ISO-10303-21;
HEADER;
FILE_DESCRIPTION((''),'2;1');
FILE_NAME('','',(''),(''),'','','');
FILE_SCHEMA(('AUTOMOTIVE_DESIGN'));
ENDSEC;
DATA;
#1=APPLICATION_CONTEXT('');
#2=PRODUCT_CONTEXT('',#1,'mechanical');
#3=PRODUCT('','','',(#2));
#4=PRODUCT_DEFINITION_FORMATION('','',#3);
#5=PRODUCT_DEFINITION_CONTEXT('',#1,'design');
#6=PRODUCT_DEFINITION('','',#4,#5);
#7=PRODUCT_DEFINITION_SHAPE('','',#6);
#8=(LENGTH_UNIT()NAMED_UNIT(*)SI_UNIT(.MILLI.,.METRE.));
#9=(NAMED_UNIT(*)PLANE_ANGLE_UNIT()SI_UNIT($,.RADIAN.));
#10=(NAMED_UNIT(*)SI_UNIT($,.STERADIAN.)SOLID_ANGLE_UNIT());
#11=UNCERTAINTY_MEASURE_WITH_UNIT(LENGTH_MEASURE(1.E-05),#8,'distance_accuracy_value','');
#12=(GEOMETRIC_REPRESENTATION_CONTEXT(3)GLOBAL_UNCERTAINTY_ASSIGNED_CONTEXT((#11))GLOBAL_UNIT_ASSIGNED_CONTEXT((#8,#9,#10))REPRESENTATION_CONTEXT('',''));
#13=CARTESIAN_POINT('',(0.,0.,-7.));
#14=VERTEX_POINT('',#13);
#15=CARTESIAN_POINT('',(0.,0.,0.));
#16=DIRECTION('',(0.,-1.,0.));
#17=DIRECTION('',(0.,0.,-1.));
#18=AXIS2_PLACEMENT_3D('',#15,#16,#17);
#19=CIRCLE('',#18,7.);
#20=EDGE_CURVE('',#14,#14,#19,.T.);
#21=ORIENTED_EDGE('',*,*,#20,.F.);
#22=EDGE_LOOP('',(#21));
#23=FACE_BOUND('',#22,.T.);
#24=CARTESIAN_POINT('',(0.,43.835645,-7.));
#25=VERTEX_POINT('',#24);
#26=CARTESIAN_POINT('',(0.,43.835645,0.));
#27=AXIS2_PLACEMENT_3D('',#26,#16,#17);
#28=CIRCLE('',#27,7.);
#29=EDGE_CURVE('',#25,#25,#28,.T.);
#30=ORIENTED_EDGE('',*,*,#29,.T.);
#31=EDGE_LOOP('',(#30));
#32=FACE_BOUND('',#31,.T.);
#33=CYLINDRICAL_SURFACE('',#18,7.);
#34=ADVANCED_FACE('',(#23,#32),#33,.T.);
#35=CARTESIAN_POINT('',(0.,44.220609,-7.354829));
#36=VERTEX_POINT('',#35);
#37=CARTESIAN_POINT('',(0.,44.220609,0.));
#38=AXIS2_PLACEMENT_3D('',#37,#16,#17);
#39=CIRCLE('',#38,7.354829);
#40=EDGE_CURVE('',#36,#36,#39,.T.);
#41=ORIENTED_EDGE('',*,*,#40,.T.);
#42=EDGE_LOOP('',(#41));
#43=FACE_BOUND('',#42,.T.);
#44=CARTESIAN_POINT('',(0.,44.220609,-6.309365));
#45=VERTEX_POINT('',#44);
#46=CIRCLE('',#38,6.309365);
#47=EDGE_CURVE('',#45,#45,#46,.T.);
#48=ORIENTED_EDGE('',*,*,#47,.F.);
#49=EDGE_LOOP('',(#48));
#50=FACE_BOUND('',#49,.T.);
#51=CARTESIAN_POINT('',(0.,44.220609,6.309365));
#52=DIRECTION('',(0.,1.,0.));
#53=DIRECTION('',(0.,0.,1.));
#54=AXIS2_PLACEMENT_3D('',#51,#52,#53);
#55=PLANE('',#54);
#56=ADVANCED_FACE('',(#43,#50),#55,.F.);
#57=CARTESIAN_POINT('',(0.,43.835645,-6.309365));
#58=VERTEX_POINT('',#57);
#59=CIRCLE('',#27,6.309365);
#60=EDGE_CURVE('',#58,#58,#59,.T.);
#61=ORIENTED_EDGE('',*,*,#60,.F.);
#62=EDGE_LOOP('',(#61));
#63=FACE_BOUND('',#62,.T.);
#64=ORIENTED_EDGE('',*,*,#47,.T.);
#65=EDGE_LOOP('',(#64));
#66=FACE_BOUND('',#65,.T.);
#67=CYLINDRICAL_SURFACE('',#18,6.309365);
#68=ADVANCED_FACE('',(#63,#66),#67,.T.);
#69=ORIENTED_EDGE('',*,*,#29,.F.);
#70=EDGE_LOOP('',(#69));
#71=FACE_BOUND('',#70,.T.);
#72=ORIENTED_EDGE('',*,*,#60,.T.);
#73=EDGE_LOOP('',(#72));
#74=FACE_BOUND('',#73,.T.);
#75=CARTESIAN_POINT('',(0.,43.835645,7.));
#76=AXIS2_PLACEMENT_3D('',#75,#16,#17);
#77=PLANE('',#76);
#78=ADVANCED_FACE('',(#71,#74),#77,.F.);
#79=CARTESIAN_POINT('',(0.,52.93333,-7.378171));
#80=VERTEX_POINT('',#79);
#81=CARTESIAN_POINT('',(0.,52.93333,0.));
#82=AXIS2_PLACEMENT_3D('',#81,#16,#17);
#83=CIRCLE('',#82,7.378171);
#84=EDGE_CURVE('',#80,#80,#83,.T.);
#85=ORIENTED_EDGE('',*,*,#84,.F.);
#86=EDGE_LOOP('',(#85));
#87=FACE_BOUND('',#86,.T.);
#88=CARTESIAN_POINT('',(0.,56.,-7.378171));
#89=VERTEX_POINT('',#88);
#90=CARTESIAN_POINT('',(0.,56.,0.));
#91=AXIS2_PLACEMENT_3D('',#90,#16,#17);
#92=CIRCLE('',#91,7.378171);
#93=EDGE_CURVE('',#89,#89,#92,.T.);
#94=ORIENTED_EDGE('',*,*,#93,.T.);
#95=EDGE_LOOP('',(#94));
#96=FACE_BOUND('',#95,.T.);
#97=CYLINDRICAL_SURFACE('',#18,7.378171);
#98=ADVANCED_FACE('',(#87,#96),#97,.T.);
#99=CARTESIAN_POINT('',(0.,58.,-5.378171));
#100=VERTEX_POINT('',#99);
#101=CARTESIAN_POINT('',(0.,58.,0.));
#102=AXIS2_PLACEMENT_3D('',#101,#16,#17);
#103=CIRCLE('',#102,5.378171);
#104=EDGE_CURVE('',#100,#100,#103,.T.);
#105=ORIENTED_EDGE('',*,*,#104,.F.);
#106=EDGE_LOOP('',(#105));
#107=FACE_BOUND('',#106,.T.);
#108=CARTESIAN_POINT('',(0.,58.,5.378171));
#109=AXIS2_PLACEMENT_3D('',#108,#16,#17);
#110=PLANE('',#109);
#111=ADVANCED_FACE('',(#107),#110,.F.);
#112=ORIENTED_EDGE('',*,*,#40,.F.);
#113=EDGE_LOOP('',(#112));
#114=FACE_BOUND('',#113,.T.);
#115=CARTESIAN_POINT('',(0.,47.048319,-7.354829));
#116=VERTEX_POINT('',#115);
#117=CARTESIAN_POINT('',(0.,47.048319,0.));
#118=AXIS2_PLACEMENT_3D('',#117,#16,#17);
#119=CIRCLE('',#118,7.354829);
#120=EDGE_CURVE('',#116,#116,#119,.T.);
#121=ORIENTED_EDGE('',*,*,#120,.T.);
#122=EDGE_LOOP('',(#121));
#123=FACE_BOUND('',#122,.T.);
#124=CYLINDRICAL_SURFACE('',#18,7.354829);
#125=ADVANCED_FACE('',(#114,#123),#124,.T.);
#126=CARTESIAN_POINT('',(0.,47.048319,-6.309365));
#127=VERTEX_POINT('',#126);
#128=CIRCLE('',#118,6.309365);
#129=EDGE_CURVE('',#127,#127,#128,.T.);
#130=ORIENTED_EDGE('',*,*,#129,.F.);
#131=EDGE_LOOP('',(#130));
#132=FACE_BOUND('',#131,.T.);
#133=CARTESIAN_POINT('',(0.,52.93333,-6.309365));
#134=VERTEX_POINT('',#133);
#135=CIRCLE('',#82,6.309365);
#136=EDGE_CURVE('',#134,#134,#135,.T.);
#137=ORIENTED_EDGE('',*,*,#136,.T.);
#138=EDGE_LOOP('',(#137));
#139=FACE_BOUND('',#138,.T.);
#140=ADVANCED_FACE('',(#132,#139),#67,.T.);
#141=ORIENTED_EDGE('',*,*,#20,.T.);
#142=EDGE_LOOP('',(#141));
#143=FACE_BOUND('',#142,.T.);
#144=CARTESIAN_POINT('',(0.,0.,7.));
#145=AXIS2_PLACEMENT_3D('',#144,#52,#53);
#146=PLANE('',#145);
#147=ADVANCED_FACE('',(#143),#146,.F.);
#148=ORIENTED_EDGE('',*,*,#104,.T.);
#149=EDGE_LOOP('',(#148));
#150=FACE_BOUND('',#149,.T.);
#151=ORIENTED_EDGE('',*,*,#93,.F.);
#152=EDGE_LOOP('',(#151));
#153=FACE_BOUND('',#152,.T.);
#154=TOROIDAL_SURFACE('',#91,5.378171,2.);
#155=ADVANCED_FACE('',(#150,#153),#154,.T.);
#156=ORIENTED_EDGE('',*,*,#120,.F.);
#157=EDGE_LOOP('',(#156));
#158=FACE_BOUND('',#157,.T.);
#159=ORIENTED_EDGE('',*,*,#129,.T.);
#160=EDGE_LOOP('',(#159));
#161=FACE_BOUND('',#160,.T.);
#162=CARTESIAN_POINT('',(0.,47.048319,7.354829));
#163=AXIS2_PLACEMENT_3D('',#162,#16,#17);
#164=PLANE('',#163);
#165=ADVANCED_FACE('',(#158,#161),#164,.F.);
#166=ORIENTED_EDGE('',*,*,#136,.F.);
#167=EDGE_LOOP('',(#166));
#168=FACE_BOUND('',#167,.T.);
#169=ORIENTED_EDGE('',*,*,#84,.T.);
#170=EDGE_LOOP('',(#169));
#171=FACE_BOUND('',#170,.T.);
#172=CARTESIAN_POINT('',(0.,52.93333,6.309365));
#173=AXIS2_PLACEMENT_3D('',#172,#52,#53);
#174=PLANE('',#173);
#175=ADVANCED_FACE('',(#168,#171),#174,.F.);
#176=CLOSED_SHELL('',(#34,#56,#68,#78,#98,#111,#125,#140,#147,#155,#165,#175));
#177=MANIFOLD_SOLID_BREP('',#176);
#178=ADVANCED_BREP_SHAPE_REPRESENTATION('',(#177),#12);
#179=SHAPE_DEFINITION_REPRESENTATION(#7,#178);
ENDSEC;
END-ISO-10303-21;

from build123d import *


with BuildPart() as part:
    # 草图1 → 旋转4 (revolve)
    with BuildSketch(Plane(origin=(0, 0, 0), x_dir=(0, 0, -1), z_dir=(1, 0, 0)), mode=Mode.PRIVATE) as revolve_4_sk:
        with BuildLine():
            Line((-7, 0), (0, 0))
            Line((0, 0), (0, 58))
            Line((0, 58), (-5.378171024, 58))
            ThreePointArc((-5.378171024, 58), (-6.792384586, 57.414213562), (-7.378171024, 56))
            Line((-7.378171024, 56), (-7.378171024, 52.933330123))
            Line((-7.378171024, 52.933330123), (-6.309364611, 52.933330123))
            Line((-6.309364611, 52.933330123), (-6.309364611, 47.048318533))
            Line((-6.309364611, 47.048318533), (-7.354829453, 47.048318533))
            Line((-7.354829453, 47.048318533), (-7.354829453, 44.220608725))
            Line((-7.354829453, 44.220608725), (-6.309364611, 44.220608725))
            Line((-6.309364611, 44.220608725), (-6.309364611, 43.835644878))
            Line((-6.309364611, 43.835644878), (-7, 43.835644878))
            Line((-7, 43.835644878), (-7, 0))
        make_face()
    revolve(revolve_4_sk.sketch.rotate(Axis((0, 0, 0), (0, 1, 0)), 180), axis=Axis((0, 0, 0), (0, 1, 0)))


solid = part.part
